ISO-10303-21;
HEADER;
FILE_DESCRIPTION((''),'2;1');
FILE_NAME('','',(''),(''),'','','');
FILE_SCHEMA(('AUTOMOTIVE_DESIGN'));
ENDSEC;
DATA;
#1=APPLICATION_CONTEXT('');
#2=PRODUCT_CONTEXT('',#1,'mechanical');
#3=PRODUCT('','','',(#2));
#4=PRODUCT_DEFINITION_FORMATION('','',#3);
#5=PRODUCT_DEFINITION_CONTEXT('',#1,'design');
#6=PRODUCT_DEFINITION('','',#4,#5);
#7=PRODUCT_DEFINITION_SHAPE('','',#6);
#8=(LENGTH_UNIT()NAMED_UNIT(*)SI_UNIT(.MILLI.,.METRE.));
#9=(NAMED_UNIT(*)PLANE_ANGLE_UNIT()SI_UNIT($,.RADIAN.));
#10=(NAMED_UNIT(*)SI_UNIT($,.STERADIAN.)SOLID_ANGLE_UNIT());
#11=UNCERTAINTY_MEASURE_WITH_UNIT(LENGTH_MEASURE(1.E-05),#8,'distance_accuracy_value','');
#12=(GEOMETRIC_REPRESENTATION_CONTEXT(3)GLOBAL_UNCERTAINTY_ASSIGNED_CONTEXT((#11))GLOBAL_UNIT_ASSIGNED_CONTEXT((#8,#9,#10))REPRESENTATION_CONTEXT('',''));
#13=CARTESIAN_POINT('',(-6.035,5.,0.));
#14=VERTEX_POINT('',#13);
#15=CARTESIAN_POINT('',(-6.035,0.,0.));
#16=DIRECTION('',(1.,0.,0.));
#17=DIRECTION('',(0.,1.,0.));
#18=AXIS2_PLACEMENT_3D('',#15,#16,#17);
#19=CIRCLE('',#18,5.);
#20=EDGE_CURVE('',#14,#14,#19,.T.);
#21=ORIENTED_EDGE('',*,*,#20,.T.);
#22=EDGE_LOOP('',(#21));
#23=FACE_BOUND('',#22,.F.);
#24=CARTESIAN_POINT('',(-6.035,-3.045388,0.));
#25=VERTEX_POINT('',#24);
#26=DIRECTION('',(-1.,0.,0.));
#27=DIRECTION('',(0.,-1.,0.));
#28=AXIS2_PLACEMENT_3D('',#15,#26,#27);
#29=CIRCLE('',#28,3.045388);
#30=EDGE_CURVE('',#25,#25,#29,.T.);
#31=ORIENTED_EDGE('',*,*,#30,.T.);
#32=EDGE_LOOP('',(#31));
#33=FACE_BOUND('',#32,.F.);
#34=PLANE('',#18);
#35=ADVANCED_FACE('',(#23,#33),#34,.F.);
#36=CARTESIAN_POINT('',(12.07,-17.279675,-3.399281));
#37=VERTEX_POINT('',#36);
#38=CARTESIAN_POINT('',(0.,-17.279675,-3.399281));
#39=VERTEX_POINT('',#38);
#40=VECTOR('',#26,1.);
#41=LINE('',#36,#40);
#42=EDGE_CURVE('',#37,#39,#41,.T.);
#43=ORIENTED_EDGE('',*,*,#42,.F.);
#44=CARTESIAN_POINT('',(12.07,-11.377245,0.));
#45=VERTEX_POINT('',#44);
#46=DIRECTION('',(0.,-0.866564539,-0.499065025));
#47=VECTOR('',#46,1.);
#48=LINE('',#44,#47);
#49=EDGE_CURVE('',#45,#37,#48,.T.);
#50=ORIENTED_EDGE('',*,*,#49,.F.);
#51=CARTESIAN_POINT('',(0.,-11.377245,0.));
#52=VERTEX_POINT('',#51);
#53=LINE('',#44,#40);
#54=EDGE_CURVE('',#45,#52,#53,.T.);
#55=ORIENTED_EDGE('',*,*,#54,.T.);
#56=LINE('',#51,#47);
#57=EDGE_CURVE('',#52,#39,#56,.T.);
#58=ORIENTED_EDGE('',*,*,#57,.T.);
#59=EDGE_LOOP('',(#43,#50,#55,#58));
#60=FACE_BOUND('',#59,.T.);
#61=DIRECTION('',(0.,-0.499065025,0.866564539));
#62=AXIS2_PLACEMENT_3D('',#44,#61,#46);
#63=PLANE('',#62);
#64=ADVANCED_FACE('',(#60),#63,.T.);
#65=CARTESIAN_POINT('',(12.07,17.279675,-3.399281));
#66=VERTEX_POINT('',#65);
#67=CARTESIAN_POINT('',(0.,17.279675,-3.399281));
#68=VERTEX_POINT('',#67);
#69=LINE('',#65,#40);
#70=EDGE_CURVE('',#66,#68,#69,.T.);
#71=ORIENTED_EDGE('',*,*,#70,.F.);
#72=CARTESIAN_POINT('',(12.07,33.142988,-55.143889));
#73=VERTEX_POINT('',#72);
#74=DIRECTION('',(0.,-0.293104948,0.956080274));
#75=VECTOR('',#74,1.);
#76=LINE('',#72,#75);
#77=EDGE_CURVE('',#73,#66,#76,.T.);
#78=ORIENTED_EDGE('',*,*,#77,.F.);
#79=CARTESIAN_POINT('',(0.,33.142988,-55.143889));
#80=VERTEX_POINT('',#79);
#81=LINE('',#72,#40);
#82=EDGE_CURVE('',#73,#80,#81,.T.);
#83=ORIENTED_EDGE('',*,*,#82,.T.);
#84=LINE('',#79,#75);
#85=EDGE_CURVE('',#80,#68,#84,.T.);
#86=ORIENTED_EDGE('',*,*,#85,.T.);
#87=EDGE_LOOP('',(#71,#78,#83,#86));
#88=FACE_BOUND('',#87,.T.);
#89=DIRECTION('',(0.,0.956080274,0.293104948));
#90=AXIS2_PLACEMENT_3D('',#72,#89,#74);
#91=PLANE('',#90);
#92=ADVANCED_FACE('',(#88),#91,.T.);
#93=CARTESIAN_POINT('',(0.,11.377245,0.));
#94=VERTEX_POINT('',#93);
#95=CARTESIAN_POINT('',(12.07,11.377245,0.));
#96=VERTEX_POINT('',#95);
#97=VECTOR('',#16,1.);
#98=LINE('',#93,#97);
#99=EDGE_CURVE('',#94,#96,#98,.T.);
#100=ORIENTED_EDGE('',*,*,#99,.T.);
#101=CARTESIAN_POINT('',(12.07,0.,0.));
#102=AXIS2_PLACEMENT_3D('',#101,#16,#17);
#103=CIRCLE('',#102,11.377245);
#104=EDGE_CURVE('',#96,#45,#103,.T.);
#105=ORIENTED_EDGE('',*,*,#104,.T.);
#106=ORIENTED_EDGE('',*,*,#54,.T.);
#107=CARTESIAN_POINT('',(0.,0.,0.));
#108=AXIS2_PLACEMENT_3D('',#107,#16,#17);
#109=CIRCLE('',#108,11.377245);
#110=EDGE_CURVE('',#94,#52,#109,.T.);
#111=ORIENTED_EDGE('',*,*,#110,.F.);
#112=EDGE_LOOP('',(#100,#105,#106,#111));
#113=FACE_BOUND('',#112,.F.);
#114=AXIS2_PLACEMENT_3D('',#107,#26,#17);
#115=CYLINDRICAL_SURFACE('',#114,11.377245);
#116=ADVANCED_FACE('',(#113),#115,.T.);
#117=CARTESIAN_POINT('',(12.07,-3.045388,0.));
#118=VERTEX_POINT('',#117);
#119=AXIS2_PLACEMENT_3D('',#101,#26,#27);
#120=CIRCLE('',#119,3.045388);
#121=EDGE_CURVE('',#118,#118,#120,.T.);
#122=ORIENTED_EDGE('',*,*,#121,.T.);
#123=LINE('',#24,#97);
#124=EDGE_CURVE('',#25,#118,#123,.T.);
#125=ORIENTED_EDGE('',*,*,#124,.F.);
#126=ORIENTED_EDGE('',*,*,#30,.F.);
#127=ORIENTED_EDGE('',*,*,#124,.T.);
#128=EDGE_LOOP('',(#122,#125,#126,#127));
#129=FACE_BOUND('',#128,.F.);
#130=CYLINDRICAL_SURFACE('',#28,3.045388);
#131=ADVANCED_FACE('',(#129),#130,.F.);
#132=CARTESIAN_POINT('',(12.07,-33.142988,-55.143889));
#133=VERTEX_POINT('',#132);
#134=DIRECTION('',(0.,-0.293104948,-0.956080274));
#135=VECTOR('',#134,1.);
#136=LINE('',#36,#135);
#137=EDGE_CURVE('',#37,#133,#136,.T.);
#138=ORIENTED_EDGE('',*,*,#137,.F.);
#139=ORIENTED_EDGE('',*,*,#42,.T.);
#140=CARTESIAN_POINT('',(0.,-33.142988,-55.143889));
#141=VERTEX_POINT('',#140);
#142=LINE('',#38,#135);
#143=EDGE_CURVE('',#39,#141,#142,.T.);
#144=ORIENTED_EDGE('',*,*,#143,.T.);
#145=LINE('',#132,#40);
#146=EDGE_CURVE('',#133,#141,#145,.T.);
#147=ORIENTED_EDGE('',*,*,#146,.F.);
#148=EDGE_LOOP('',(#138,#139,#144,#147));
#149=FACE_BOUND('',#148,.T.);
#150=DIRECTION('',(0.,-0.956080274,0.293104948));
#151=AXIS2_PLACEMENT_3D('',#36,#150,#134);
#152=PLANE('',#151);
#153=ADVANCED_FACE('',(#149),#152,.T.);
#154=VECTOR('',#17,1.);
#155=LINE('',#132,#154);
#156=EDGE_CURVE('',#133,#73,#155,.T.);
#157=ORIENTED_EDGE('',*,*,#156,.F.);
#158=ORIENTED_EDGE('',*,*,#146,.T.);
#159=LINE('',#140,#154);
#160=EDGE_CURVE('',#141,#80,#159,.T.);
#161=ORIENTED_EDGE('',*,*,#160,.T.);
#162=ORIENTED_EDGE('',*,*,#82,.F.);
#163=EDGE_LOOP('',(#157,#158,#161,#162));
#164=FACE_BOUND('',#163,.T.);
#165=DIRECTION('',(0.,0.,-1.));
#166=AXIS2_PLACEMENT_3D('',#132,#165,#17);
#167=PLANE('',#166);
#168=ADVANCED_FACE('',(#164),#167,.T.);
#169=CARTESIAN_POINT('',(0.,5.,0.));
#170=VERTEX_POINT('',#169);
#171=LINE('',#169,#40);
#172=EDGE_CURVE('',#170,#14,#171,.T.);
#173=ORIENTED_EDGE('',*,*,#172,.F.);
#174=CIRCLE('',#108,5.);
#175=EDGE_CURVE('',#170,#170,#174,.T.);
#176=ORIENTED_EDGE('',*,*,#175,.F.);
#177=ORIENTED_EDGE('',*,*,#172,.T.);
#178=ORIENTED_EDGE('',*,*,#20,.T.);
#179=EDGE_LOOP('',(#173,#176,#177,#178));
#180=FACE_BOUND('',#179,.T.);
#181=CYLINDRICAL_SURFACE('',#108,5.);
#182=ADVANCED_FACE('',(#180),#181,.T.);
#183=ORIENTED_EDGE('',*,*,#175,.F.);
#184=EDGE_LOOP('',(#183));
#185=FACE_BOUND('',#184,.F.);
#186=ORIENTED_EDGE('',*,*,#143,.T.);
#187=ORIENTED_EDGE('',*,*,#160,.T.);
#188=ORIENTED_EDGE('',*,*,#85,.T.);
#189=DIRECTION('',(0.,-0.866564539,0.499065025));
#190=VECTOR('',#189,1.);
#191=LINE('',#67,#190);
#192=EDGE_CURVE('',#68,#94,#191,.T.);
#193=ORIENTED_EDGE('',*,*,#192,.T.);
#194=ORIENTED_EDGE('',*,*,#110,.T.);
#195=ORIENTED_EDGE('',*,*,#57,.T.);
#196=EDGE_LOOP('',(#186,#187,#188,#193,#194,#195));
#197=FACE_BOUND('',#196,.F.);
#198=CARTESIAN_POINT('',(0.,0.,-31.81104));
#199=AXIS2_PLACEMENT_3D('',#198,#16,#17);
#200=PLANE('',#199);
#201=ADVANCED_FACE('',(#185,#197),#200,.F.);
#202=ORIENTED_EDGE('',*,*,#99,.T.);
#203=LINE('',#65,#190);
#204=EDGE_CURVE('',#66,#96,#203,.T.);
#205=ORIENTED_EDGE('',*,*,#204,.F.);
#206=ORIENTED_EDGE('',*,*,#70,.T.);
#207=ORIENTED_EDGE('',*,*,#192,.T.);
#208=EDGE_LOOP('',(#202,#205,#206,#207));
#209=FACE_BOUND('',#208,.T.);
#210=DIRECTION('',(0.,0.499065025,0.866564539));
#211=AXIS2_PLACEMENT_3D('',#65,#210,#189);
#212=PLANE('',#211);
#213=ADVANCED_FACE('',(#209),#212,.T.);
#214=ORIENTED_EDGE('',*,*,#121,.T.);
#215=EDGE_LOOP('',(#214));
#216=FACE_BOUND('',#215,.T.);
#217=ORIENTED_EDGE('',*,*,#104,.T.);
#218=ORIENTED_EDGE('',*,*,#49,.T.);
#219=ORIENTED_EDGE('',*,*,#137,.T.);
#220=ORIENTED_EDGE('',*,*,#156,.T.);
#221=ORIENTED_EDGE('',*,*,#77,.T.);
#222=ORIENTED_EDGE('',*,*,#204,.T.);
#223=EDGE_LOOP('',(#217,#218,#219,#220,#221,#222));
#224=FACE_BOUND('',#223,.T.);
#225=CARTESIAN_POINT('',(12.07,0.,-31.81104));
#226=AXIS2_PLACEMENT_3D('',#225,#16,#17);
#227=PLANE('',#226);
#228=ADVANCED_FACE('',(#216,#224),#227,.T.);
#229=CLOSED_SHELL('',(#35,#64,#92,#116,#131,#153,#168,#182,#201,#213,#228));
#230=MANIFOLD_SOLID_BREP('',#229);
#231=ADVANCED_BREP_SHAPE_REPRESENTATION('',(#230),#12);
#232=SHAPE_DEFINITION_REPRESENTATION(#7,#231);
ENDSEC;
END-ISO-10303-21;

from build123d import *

# Parameters (mm, degrees)
F0_R     = 5
F1_DEPTH = 6.035
F2_R     = 11.377245
F3_DEPTH = 12.07
F5_DEPTH = 12.07
F6_R     = 3.045388
F7_DEPTH = 25


with BuildPart() as f1:
    # F0 (on Right) → F1 (new body)
    with BuildSketch(Plane.YZ):
        Circle(F0_R)
    extrude(amount=-F1_DEPTH)

    # F2 (on face) → F3 (join)
    with BuildSketch(Plane.YZ):
        Circle(F2_R)
    extrude(amount=F3_DEPTH)

    # F4 (on face) → F5 (join)
    with BuildSketch(Plane.YZ.offset(12.07)):
        with BuildLine():
            ThreePointArc((11.377245, 0), (0, -11.377245), (-11.377245, 0))
            Line((-11.377245, 0), (-17.279675, -3.399281))
            Line((-17.279675, -3.399281), (-33.142988, -55.143889))
            Line((-33.142988, -55.143889), (0, -55.143889))
            Line((0, -55.143889), (33.142988, -55.143889))
            Line((33.142988, -55.143889), (17.279675, -3.399281))
            Line((17.279675, -3.399281), (11.377245, 0))
        make_face()
    extrude(amount=-F5_DEPTH)

    # F6 (on face) → F7 (cut)
    with BuildSketch(Plane(origin=(-6.035, 0, 0), x_dir=(0, -1, 0), z_dir=(-1, 0, 0))):
        Circle(F6_R)
    extrude(amount=-F7_DEPTH, mode=Mode.SUBTRACT)


solid = f1.part
